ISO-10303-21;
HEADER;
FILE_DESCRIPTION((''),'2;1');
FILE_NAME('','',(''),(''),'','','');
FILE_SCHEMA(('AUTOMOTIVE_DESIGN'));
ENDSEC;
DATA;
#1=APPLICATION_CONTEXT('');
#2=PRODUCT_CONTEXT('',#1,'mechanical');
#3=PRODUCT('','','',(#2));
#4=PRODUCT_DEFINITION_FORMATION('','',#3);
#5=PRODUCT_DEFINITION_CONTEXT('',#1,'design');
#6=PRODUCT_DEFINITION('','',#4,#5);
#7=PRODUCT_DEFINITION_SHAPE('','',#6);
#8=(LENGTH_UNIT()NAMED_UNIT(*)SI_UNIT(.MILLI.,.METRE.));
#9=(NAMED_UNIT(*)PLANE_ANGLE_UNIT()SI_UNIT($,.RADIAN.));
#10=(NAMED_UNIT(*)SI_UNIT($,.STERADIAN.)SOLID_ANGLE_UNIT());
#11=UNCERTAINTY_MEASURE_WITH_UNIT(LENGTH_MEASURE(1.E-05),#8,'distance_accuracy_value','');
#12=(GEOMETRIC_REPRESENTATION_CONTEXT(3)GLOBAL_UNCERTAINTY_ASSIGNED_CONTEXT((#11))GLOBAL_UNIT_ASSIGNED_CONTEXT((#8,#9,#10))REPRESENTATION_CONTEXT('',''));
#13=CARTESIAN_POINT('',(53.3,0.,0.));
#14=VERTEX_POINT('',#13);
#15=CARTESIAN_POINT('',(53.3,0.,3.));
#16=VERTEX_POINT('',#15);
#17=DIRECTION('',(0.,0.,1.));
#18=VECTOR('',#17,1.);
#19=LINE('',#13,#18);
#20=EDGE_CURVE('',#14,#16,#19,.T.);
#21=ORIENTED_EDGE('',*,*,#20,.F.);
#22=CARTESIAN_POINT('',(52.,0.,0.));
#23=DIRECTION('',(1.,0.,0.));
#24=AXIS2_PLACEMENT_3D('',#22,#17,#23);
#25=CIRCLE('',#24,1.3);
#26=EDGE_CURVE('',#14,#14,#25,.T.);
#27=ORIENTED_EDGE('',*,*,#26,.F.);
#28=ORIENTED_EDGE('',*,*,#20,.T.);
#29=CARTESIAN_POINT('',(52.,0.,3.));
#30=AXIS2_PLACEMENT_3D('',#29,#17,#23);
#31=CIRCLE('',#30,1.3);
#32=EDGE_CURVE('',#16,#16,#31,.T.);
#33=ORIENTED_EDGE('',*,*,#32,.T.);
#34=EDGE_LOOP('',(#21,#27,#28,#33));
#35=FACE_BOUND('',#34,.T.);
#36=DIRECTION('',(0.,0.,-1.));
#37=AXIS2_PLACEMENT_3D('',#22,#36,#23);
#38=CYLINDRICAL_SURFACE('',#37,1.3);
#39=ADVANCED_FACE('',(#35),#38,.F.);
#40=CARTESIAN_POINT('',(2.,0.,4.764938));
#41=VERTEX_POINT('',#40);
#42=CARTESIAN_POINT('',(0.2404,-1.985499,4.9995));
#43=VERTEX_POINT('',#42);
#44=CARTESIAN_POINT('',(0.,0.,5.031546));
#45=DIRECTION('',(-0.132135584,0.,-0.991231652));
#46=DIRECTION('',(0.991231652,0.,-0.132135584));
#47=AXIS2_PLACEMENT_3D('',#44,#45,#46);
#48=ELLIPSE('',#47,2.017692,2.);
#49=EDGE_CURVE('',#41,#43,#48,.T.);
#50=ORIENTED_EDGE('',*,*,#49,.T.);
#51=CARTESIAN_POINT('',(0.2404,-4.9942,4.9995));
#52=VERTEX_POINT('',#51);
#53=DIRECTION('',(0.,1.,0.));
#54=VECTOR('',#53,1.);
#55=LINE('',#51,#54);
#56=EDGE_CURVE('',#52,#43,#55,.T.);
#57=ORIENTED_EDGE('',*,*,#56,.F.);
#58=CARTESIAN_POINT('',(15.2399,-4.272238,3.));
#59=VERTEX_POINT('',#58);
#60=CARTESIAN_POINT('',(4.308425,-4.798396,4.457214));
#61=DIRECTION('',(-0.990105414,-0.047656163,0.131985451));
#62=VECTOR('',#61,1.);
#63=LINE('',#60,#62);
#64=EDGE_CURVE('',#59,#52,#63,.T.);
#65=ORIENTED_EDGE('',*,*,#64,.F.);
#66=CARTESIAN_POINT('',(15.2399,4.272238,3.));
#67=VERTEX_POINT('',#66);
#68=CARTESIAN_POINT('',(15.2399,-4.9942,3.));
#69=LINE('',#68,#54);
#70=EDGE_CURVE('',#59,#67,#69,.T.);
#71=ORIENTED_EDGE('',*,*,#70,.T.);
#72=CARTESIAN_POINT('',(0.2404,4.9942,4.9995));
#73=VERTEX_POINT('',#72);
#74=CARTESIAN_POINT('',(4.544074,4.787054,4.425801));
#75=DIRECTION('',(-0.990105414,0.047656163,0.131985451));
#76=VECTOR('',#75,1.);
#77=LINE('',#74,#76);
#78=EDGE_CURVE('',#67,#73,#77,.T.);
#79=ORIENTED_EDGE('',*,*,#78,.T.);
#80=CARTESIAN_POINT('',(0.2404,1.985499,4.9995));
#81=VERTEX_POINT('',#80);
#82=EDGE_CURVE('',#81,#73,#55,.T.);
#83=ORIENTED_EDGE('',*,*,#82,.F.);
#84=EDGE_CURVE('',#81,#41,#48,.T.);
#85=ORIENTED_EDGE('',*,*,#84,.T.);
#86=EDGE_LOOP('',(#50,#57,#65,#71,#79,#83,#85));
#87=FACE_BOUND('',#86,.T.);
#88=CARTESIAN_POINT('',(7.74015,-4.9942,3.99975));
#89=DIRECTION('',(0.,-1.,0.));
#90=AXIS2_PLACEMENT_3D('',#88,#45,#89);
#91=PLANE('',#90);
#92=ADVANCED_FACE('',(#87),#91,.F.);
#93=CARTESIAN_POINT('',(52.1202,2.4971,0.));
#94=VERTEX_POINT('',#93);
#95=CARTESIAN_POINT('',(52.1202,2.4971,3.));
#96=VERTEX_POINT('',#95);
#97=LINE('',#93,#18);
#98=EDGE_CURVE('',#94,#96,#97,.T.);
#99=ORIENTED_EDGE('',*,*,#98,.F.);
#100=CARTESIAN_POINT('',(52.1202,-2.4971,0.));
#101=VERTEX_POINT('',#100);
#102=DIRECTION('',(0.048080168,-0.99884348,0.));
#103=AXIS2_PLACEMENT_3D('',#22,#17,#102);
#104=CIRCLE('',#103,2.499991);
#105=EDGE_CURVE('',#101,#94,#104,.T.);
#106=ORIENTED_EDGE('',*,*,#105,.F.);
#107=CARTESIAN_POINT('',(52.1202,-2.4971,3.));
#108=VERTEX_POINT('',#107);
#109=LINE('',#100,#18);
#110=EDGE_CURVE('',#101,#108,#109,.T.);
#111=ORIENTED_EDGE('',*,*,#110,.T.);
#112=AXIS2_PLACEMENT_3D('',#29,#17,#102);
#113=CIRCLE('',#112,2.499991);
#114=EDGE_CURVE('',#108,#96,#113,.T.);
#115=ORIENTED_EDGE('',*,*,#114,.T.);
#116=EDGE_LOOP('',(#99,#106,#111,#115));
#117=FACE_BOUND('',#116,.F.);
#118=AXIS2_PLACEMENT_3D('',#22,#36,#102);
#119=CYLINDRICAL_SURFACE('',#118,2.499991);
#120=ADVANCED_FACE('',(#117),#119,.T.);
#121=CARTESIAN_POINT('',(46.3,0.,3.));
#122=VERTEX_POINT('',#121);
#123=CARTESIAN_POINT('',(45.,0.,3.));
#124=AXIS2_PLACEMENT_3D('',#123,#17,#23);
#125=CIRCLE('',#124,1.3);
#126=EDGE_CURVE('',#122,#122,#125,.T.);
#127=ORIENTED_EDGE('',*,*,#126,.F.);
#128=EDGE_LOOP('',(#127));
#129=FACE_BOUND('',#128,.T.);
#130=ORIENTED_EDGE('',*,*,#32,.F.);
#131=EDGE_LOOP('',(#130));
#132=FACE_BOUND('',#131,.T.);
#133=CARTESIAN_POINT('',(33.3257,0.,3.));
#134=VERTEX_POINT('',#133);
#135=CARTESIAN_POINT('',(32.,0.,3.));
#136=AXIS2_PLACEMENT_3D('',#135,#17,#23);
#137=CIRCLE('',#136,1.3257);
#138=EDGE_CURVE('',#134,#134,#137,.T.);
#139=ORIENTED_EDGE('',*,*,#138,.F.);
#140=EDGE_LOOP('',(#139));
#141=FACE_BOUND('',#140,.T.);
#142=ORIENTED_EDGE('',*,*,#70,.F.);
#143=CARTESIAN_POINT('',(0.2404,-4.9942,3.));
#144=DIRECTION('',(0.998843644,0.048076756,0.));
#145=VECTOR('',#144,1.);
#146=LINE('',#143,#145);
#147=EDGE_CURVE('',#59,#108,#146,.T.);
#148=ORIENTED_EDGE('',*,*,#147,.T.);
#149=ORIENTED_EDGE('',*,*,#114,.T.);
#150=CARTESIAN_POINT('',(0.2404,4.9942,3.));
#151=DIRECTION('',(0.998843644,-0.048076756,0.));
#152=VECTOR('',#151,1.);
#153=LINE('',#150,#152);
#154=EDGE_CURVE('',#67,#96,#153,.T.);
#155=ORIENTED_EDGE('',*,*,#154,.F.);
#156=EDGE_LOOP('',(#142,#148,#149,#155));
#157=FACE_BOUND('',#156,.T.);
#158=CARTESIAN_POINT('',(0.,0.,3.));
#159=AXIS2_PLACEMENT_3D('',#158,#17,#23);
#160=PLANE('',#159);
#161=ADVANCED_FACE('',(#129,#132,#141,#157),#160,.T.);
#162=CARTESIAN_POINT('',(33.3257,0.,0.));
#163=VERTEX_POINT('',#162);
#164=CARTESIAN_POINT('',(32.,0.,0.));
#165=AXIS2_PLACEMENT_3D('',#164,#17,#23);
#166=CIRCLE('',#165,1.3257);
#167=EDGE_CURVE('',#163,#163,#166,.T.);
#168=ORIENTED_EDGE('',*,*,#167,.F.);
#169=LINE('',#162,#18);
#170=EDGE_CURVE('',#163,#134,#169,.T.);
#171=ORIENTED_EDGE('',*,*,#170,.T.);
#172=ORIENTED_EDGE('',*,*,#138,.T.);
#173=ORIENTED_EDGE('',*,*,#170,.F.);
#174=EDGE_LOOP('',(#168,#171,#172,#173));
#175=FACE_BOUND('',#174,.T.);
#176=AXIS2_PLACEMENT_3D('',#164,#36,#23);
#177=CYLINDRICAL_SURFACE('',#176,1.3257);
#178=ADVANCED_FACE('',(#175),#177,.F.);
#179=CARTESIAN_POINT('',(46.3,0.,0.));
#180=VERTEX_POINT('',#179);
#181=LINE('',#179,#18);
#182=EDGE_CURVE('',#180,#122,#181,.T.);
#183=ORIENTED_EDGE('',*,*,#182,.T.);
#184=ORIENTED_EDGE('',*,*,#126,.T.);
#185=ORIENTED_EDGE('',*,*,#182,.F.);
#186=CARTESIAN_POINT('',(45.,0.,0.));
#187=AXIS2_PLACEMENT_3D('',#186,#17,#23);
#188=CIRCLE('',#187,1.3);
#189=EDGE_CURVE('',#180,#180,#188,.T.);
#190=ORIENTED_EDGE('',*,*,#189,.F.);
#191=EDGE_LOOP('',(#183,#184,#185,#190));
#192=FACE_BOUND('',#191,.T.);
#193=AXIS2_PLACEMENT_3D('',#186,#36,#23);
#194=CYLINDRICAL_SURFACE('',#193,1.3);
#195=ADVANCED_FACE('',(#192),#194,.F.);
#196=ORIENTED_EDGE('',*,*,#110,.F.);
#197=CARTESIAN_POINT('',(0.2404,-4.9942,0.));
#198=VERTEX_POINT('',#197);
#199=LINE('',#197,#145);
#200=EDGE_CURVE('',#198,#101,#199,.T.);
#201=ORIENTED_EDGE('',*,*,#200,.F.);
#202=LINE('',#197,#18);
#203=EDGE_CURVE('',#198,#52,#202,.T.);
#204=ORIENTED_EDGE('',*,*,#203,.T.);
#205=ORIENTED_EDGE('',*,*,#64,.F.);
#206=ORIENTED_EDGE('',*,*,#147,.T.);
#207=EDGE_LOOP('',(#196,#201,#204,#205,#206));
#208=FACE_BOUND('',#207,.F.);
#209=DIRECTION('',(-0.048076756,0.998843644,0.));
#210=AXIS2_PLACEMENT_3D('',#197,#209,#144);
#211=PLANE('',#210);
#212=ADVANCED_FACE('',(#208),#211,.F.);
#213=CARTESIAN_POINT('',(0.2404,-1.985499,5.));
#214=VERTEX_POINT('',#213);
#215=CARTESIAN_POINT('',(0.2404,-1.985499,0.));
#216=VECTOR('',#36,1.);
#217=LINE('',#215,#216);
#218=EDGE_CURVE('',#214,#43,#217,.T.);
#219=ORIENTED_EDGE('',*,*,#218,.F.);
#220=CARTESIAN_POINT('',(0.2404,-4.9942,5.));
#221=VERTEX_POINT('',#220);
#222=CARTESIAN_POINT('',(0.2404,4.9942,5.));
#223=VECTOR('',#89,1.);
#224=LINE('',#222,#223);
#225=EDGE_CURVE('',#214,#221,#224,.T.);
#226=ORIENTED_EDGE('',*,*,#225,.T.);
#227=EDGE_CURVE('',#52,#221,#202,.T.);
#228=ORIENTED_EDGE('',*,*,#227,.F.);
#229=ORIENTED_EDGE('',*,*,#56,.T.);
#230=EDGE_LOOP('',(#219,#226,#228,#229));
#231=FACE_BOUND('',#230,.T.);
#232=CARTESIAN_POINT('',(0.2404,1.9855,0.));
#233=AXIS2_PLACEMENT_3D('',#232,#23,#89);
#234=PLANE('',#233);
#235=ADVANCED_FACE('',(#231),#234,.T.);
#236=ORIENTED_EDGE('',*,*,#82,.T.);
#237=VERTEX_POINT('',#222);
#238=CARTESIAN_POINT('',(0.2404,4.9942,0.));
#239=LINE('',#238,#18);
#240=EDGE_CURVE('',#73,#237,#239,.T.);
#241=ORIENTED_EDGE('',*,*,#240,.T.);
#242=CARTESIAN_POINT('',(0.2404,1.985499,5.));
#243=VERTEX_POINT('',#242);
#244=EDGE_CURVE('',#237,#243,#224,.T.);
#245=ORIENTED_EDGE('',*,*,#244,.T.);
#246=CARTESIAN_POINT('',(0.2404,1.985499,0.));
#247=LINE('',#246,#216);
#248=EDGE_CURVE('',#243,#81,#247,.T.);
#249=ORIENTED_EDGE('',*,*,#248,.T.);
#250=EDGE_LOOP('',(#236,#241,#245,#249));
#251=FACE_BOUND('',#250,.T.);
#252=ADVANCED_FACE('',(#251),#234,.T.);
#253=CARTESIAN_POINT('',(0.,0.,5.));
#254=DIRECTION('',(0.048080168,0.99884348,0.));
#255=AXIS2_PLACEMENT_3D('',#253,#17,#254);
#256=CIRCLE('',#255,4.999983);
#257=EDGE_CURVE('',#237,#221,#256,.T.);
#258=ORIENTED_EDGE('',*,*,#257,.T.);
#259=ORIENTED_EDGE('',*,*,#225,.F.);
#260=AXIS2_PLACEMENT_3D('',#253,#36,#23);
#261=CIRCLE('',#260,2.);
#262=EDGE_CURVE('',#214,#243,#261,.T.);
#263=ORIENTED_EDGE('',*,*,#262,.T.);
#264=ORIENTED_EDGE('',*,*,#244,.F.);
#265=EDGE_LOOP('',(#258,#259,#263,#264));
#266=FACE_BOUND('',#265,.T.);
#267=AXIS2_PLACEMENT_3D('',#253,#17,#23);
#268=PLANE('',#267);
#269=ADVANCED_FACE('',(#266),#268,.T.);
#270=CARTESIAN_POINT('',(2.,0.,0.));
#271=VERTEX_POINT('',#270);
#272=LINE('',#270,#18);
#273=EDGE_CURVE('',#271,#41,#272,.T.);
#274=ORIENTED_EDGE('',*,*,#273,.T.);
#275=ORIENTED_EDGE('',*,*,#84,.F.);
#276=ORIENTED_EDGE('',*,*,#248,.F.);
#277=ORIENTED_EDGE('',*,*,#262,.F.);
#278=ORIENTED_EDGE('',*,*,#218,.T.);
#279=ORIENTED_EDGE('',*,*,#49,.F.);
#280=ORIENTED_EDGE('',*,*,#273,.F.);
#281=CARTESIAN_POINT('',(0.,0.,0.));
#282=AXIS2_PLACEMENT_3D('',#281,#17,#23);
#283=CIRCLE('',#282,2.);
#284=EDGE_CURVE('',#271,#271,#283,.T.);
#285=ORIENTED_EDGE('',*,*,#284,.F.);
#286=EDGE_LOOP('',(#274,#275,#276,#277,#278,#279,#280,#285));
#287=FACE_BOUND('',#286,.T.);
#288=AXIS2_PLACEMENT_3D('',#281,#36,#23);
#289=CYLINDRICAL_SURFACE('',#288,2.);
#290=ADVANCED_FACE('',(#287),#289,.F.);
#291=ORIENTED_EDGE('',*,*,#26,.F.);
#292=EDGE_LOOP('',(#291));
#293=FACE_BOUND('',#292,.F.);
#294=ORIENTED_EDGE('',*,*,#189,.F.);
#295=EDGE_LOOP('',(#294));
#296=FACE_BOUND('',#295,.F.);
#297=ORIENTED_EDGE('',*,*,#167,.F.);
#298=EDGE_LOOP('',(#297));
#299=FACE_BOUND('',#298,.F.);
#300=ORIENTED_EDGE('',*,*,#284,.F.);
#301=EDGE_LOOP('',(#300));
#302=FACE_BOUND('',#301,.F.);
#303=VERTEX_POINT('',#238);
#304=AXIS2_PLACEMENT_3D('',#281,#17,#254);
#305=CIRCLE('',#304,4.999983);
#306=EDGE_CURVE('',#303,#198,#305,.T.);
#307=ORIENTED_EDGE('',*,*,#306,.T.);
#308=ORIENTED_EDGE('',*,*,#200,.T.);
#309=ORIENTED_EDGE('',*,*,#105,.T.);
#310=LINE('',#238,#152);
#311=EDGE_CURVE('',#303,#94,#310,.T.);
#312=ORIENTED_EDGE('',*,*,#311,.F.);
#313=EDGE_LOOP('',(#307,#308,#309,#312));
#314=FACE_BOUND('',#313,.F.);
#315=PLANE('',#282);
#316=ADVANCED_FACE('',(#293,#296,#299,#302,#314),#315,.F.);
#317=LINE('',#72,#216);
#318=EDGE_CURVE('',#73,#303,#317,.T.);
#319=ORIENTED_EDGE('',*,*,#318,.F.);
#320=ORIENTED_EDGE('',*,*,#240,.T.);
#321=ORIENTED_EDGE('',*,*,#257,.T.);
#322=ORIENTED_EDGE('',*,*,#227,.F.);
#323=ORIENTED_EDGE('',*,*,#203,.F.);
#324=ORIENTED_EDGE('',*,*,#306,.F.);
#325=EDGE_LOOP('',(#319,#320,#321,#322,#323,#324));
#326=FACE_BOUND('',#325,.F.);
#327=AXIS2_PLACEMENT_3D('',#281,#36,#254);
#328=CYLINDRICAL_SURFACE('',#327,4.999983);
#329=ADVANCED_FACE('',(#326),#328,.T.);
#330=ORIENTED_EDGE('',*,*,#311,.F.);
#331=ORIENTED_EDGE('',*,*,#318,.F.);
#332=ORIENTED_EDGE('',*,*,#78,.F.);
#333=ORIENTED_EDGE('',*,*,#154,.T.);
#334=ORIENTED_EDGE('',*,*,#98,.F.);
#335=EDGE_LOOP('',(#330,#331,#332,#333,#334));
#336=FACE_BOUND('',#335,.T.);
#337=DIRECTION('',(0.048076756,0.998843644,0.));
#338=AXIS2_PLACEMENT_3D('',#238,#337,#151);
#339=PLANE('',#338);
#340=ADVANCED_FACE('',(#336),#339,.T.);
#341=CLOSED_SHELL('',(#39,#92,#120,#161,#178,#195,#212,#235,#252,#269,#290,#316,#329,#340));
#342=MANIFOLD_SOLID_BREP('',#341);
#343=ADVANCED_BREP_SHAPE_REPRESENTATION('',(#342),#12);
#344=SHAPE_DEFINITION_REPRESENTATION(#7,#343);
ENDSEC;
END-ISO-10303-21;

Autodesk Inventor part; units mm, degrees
ref_plane "YZ Plane" through (0, 0, 0) normal (1, 0, 0) x (0, 1, 0)
ref_plane "XZ Plane" through (0, 0, 0) normal (0, 1, 0) x (-1, 0, 0)
ref_plane "XY Plane" through (0, 0, 0) normal (0, 0, 1) x (1, 0, 0)
sketch "Skizze1" plane through (0, 0, 0) normal (0, 0, 1) x (1, 0, 0)
  line L0 (0, 7) -> (0, -7) construction
  line L1 (-16.9, 0) -> (66.4, 0) construction
  circle A0 centre (0, 0) radius 2
  circle A1 centre (32, 0) radius 1.3257
  circle A2 centre (45, 0) radius 1.3
  circle A3 centre (52, 0) radius 1.3
  arc A4 (52.1202, -2.4971) -> (52.1202, 2.4971) centre (52, 0) ccw
  arc A5 (0.2404, 4.9942) -> (0.2404, -4.9942) centre (0, 0) ccw
  line L2 (0.2404, 4.9942) -> (52.1202, 2.4971)
  line L3 (0.2404, -4.9942) -> (52.1202, -2.4971)
  line L4 (0.2404, -4.9942) -> (0.2404, -1.9855)
  line L5 (0.2404, 1.9855) -> (0.2404, 4.9942)
  line L6 (0.2404, 1.9855) -> (0.2404, -1.9855)
  dimension "d0" = 32
  dimension "d1" = 45
  dimension "d2" = 52
  dimension "d3" = 5
  dimension "d4" = 2.6
  dimension "d5" = 4
  dimension "d6" = 10
extrude "Extrusion1" add sketch "Skizze1" along normal blind 3
extrude "Extrusion2" add sketch "Skizze1" along normal blind 5 contours L6 A0 | A0 L4 A5 L5 picked at (-1.282, 0.0747)
chamfer "Fase1" distance 15 distance2 2 1 edges at (0.2404, 0, 3) measured on face at (10.385, 0, 3)
extrude "Extrusion3" cut sketch "Skizze1" along normal blind 5 contours A0 L6 | L6 A0
properties part number "Servo-Arm-52mm"
